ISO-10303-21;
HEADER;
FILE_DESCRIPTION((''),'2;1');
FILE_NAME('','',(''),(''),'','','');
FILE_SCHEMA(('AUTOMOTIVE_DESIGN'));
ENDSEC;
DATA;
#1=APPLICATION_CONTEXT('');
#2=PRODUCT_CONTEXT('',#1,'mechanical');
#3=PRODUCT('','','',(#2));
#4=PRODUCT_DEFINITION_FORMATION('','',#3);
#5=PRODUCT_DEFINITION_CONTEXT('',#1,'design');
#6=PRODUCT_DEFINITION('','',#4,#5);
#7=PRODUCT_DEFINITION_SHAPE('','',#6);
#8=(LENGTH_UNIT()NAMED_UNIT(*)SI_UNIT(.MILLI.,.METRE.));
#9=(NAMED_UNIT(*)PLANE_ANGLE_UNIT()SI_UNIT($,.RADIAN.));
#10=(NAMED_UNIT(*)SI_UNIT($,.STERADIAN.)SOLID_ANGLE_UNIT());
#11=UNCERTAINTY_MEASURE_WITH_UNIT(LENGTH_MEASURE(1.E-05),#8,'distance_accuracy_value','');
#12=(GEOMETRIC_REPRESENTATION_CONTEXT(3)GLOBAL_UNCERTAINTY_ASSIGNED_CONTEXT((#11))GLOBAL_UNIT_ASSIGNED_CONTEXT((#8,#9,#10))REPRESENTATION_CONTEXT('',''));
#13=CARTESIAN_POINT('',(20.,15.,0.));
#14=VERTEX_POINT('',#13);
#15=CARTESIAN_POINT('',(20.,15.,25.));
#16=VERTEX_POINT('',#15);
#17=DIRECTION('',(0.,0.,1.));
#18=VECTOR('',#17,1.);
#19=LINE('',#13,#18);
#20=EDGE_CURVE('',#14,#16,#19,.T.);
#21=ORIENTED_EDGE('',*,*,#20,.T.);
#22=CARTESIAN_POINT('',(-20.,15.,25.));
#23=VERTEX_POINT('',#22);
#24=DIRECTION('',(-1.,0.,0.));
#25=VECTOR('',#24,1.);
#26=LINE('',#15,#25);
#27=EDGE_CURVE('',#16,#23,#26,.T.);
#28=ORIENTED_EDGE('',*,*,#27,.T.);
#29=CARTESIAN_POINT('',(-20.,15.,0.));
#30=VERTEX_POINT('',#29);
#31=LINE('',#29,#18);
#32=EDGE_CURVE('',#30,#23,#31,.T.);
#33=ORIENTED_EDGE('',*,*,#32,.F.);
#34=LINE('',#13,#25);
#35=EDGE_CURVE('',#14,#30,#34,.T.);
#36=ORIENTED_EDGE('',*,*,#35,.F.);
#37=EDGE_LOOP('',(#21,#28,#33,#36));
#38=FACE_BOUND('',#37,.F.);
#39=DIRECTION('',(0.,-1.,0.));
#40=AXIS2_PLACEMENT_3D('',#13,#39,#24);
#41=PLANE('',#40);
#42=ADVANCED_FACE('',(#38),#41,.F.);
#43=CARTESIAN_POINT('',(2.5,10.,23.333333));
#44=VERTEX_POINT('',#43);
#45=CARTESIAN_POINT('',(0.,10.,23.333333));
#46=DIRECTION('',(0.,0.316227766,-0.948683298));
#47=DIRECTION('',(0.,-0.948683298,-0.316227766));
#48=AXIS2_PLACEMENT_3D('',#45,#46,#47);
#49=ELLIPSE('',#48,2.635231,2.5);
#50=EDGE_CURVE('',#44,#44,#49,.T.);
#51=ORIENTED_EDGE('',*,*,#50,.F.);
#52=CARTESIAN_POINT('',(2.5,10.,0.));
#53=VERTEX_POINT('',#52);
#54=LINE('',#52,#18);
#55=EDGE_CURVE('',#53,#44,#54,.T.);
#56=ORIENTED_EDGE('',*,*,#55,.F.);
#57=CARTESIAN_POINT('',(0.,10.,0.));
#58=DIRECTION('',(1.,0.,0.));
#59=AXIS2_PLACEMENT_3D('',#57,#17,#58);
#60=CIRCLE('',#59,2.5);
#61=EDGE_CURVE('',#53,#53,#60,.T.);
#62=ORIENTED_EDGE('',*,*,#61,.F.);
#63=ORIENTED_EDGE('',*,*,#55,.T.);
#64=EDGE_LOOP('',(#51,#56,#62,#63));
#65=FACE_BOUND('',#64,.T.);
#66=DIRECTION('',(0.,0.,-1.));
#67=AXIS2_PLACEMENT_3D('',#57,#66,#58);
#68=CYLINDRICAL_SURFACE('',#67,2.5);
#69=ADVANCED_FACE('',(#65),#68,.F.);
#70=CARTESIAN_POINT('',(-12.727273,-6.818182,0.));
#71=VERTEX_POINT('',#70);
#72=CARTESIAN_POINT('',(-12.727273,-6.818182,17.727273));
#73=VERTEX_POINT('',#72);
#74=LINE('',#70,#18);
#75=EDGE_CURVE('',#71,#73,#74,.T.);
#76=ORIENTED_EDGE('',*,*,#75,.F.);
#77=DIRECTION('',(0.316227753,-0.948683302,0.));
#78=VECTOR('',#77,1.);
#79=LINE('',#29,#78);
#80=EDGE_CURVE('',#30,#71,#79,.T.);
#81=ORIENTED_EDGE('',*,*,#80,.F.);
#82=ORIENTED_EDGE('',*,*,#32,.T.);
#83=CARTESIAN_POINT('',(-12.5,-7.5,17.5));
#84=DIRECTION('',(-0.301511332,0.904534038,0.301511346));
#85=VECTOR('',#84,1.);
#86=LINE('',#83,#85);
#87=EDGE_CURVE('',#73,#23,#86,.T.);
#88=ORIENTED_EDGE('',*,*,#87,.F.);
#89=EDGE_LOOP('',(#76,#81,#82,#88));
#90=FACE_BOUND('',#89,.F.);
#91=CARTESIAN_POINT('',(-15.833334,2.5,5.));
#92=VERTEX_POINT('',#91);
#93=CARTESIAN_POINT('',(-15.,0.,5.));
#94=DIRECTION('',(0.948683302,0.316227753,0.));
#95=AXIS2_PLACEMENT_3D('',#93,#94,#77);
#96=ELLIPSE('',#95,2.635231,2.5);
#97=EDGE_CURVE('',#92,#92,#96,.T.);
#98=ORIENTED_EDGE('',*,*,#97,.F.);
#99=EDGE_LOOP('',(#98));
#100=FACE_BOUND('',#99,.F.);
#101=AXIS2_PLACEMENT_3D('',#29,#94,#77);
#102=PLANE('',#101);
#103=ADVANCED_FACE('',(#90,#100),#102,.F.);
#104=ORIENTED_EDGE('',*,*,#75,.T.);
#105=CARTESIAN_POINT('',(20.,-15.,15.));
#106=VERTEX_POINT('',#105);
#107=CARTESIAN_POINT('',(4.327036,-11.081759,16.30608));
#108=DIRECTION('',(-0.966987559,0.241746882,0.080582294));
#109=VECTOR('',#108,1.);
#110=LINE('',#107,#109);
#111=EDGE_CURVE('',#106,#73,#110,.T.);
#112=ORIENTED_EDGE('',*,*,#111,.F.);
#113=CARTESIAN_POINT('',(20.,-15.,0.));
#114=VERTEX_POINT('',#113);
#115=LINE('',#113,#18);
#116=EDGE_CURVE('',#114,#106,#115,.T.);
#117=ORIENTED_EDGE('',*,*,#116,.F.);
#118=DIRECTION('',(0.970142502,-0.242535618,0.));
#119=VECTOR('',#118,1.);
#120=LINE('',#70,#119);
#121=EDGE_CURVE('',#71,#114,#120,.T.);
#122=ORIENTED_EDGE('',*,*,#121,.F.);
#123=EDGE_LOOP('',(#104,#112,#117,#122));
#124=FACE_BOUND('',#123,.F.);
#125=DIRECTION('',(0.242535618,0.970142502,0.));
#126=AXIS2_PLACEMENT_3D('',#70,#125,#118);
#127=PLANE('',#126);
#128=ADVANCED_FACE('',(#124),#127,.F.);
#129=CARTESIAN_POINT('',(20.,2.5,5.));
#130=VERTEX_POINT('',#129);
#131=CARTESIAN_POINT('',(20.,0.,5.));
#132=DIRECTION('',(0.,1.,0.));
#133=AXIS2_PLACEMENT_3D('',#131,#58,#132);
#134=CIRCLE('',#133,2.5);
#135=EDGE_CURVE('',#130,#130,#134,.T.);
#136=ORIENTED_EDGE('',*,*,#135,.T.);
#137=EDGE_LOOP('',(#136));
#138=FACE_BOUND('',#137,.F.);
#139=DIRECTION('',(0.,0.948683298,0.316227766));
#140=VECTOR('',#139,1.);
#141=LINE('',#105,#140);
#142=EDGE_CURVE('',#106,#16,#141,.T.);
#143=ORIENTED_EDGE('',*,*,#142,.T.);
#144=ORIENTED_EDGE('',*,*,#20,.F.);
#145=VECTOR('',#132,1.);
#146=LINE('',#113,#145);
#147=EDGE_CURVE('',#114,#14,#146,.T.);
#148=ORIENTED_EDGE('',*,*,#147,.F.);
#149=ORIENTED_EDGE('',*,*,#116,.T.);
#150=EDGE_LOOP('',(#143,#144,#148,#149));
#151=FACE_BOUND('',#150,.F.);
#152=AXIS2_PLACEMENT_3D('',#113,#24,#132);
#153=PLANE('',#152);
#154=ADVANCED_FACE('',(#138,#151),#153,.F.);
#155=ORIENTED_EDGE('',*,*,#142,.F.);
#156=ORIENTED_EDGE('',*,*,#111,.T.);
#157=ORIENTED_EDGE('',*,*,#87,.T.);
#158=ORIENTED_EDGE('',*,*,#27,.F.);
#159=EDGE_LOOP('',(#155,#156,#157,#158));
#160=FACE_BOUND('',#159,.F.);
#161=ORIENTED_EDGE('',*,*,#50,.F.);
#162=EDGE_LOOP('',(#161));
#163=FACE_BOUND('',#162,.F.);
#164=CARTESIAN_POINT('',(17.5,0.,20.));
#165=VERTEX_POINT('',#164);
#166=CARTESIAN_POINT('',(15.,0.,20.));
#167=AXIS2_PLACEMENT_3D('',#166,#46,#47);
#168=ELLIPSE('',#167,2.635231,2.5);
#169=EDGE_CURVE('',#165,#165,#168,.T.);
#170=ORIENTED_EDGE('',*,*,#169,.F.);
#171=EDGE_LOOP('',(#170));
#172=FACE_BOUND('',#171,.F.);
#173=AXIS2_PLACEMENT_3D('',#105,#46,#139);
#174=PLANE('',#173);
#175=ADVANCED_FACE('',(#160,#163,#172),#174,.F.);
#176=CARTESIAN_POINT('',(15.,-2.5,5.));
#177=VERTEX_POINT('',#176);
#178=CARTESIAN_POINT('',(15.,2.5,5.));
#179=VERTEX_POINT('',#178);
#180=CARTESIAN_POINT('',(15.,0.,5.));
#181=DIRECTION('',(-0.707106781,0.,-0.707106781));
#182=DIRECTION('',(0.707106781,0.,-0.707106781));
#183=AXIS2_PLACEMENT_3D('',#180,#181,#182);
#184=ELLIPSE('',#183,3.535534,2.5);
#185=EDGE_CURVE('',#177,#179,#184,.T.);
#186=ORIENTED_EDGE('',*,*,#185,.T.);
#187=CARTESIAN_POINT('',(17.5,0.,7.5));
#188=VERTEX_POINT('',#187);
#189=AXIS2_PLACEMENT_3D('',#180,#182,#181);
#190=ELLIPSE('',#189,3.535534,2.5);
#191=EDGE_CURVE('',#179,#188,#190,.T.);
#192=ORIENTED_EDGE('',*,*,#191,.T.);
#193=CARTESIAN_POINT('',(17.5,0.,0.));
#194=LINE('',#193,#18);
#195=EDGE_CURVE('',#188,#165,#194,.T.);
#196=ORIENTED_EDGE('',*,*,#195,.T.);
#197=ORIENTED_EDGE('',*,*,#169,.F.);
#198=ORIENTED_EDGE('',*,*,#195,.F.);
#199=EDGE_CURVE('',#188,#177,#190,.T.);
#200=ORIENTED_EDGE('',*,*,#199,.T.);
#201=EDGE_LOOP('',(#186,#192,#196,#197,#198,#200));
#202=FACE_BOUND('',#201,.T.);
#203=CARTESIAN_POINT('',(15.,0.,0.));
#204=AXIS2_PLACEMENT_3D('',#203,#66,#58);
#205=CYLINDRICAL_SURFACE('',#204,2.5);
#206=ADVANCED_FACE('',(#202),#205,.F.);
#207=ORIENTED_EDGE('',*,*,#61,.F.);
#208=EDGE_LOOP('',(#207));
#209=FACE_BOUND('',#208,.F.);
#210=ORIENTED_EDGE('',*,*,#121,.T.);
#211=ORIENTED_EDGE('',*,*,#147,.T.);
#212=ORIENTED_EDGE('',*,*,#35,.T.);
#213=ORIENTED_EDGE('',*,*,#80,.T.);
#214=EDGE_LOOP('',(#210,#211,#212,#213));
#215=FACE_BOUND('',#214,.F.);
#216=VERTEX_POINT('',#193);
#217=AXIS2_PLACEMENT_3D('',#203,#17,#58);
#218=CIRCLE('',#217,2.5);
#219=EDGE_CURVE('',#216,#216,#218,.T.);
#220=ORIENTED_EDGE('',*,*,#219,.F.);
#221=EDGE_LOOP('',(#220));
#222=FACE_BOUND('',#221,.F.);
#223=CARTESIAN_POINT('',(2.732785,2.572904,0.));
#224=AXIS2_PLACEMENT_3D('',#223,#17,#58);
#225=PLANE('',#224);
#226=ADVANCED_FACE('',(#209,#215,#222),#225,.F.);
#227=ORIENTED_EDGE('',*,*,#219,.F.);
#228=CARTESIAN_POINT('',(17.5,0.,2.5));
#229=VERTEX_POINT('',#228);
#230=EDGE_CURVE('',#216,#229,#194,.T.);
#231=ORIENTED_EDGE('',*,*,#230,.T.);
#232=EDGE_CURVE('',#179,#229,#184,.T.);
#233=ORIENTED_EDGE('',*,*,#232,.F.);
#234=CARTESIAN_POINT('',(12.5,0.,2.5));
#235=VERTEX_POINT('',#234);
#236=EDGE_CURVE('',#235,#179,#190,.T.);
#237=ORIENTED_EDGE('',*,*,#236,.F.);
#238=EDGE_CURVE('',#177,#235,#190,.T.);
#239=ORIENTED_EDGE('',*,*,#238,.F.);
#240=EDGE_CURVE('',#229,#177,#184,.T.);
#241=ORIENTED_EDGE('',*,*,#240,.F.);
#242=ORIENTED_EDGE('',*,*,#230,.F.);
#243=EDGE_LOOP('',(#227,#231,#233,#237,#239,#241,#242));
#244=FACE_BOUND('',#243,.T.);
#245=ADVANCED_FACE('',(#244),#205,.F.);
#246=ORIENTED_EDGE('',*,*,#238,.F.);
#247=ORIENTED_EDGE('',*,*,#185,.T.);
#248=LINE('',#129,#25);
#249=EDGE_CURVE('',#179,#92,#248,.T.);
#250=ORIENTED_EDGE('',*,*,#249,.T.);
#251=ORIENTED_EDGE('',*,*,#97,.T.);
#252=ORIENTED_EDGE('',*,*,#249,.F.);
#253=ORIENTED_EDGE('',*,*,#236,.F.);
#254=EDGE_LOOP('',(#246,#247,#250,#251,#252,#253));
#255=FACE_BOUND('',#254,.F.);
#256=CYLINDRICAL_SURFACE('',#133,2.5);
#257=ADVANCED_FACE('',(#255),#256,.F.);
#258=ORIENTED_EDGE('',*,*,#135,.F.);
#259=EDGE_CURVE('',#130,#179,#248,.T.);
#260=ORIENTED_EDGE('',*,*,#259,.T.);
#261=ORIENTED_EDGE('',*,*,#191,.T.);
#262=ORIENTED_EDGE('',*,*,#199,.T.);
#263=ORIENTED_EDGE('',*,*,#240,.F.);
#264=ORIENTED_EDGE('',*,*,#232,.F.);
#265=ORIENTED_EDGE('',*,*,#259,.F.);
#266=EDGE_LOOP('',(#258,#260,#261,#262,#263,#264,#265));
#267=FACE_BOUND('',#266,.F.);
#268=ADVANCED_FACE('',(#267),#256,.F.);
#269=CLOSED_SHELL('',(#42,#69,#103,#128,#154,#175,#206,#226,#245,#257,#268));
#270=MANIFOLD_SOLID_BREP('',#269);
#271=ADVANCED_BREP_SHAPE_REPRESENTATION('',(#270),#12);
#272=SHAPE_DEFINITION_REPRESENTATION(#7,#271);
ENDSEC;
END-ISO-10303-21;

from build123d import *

# Parameters (mm, degrees)
F0_R     = 2.5
F1_DEPTH = 25
F2_R     = 2.5
F3_DEPTH = 40.001


with BuildPart() as f1:
    # F0 (on Top) → F1 (new body)
    with BuildSketch(Plane.XY):
        Polygon((20, -15), (20, 15), (-20, 15), (-12.727273, -6.818182), align=None)
        with Locations((15, 0)):
            Circle(F0_R, mode=Mode.SUBTRACT)
        with Locations((0, 10)):
            Circle(F0_R, mode=Mode.SUBTRACT)
    extrude(amount=F1_DEPTH)

    # F2 (on face) → F3 (cut, through all)
    with BuildSketch(Plane.YZ.offset(20)):
        with Locations((0, 5)):
            Circle(F2_R)
        Polygon((-15, 15), (15, 25), (-15, 25), align=None)
    extrude(amount=-F3_DEPTH, mode=Mode.SUBTRACT)


solid = f1.part
